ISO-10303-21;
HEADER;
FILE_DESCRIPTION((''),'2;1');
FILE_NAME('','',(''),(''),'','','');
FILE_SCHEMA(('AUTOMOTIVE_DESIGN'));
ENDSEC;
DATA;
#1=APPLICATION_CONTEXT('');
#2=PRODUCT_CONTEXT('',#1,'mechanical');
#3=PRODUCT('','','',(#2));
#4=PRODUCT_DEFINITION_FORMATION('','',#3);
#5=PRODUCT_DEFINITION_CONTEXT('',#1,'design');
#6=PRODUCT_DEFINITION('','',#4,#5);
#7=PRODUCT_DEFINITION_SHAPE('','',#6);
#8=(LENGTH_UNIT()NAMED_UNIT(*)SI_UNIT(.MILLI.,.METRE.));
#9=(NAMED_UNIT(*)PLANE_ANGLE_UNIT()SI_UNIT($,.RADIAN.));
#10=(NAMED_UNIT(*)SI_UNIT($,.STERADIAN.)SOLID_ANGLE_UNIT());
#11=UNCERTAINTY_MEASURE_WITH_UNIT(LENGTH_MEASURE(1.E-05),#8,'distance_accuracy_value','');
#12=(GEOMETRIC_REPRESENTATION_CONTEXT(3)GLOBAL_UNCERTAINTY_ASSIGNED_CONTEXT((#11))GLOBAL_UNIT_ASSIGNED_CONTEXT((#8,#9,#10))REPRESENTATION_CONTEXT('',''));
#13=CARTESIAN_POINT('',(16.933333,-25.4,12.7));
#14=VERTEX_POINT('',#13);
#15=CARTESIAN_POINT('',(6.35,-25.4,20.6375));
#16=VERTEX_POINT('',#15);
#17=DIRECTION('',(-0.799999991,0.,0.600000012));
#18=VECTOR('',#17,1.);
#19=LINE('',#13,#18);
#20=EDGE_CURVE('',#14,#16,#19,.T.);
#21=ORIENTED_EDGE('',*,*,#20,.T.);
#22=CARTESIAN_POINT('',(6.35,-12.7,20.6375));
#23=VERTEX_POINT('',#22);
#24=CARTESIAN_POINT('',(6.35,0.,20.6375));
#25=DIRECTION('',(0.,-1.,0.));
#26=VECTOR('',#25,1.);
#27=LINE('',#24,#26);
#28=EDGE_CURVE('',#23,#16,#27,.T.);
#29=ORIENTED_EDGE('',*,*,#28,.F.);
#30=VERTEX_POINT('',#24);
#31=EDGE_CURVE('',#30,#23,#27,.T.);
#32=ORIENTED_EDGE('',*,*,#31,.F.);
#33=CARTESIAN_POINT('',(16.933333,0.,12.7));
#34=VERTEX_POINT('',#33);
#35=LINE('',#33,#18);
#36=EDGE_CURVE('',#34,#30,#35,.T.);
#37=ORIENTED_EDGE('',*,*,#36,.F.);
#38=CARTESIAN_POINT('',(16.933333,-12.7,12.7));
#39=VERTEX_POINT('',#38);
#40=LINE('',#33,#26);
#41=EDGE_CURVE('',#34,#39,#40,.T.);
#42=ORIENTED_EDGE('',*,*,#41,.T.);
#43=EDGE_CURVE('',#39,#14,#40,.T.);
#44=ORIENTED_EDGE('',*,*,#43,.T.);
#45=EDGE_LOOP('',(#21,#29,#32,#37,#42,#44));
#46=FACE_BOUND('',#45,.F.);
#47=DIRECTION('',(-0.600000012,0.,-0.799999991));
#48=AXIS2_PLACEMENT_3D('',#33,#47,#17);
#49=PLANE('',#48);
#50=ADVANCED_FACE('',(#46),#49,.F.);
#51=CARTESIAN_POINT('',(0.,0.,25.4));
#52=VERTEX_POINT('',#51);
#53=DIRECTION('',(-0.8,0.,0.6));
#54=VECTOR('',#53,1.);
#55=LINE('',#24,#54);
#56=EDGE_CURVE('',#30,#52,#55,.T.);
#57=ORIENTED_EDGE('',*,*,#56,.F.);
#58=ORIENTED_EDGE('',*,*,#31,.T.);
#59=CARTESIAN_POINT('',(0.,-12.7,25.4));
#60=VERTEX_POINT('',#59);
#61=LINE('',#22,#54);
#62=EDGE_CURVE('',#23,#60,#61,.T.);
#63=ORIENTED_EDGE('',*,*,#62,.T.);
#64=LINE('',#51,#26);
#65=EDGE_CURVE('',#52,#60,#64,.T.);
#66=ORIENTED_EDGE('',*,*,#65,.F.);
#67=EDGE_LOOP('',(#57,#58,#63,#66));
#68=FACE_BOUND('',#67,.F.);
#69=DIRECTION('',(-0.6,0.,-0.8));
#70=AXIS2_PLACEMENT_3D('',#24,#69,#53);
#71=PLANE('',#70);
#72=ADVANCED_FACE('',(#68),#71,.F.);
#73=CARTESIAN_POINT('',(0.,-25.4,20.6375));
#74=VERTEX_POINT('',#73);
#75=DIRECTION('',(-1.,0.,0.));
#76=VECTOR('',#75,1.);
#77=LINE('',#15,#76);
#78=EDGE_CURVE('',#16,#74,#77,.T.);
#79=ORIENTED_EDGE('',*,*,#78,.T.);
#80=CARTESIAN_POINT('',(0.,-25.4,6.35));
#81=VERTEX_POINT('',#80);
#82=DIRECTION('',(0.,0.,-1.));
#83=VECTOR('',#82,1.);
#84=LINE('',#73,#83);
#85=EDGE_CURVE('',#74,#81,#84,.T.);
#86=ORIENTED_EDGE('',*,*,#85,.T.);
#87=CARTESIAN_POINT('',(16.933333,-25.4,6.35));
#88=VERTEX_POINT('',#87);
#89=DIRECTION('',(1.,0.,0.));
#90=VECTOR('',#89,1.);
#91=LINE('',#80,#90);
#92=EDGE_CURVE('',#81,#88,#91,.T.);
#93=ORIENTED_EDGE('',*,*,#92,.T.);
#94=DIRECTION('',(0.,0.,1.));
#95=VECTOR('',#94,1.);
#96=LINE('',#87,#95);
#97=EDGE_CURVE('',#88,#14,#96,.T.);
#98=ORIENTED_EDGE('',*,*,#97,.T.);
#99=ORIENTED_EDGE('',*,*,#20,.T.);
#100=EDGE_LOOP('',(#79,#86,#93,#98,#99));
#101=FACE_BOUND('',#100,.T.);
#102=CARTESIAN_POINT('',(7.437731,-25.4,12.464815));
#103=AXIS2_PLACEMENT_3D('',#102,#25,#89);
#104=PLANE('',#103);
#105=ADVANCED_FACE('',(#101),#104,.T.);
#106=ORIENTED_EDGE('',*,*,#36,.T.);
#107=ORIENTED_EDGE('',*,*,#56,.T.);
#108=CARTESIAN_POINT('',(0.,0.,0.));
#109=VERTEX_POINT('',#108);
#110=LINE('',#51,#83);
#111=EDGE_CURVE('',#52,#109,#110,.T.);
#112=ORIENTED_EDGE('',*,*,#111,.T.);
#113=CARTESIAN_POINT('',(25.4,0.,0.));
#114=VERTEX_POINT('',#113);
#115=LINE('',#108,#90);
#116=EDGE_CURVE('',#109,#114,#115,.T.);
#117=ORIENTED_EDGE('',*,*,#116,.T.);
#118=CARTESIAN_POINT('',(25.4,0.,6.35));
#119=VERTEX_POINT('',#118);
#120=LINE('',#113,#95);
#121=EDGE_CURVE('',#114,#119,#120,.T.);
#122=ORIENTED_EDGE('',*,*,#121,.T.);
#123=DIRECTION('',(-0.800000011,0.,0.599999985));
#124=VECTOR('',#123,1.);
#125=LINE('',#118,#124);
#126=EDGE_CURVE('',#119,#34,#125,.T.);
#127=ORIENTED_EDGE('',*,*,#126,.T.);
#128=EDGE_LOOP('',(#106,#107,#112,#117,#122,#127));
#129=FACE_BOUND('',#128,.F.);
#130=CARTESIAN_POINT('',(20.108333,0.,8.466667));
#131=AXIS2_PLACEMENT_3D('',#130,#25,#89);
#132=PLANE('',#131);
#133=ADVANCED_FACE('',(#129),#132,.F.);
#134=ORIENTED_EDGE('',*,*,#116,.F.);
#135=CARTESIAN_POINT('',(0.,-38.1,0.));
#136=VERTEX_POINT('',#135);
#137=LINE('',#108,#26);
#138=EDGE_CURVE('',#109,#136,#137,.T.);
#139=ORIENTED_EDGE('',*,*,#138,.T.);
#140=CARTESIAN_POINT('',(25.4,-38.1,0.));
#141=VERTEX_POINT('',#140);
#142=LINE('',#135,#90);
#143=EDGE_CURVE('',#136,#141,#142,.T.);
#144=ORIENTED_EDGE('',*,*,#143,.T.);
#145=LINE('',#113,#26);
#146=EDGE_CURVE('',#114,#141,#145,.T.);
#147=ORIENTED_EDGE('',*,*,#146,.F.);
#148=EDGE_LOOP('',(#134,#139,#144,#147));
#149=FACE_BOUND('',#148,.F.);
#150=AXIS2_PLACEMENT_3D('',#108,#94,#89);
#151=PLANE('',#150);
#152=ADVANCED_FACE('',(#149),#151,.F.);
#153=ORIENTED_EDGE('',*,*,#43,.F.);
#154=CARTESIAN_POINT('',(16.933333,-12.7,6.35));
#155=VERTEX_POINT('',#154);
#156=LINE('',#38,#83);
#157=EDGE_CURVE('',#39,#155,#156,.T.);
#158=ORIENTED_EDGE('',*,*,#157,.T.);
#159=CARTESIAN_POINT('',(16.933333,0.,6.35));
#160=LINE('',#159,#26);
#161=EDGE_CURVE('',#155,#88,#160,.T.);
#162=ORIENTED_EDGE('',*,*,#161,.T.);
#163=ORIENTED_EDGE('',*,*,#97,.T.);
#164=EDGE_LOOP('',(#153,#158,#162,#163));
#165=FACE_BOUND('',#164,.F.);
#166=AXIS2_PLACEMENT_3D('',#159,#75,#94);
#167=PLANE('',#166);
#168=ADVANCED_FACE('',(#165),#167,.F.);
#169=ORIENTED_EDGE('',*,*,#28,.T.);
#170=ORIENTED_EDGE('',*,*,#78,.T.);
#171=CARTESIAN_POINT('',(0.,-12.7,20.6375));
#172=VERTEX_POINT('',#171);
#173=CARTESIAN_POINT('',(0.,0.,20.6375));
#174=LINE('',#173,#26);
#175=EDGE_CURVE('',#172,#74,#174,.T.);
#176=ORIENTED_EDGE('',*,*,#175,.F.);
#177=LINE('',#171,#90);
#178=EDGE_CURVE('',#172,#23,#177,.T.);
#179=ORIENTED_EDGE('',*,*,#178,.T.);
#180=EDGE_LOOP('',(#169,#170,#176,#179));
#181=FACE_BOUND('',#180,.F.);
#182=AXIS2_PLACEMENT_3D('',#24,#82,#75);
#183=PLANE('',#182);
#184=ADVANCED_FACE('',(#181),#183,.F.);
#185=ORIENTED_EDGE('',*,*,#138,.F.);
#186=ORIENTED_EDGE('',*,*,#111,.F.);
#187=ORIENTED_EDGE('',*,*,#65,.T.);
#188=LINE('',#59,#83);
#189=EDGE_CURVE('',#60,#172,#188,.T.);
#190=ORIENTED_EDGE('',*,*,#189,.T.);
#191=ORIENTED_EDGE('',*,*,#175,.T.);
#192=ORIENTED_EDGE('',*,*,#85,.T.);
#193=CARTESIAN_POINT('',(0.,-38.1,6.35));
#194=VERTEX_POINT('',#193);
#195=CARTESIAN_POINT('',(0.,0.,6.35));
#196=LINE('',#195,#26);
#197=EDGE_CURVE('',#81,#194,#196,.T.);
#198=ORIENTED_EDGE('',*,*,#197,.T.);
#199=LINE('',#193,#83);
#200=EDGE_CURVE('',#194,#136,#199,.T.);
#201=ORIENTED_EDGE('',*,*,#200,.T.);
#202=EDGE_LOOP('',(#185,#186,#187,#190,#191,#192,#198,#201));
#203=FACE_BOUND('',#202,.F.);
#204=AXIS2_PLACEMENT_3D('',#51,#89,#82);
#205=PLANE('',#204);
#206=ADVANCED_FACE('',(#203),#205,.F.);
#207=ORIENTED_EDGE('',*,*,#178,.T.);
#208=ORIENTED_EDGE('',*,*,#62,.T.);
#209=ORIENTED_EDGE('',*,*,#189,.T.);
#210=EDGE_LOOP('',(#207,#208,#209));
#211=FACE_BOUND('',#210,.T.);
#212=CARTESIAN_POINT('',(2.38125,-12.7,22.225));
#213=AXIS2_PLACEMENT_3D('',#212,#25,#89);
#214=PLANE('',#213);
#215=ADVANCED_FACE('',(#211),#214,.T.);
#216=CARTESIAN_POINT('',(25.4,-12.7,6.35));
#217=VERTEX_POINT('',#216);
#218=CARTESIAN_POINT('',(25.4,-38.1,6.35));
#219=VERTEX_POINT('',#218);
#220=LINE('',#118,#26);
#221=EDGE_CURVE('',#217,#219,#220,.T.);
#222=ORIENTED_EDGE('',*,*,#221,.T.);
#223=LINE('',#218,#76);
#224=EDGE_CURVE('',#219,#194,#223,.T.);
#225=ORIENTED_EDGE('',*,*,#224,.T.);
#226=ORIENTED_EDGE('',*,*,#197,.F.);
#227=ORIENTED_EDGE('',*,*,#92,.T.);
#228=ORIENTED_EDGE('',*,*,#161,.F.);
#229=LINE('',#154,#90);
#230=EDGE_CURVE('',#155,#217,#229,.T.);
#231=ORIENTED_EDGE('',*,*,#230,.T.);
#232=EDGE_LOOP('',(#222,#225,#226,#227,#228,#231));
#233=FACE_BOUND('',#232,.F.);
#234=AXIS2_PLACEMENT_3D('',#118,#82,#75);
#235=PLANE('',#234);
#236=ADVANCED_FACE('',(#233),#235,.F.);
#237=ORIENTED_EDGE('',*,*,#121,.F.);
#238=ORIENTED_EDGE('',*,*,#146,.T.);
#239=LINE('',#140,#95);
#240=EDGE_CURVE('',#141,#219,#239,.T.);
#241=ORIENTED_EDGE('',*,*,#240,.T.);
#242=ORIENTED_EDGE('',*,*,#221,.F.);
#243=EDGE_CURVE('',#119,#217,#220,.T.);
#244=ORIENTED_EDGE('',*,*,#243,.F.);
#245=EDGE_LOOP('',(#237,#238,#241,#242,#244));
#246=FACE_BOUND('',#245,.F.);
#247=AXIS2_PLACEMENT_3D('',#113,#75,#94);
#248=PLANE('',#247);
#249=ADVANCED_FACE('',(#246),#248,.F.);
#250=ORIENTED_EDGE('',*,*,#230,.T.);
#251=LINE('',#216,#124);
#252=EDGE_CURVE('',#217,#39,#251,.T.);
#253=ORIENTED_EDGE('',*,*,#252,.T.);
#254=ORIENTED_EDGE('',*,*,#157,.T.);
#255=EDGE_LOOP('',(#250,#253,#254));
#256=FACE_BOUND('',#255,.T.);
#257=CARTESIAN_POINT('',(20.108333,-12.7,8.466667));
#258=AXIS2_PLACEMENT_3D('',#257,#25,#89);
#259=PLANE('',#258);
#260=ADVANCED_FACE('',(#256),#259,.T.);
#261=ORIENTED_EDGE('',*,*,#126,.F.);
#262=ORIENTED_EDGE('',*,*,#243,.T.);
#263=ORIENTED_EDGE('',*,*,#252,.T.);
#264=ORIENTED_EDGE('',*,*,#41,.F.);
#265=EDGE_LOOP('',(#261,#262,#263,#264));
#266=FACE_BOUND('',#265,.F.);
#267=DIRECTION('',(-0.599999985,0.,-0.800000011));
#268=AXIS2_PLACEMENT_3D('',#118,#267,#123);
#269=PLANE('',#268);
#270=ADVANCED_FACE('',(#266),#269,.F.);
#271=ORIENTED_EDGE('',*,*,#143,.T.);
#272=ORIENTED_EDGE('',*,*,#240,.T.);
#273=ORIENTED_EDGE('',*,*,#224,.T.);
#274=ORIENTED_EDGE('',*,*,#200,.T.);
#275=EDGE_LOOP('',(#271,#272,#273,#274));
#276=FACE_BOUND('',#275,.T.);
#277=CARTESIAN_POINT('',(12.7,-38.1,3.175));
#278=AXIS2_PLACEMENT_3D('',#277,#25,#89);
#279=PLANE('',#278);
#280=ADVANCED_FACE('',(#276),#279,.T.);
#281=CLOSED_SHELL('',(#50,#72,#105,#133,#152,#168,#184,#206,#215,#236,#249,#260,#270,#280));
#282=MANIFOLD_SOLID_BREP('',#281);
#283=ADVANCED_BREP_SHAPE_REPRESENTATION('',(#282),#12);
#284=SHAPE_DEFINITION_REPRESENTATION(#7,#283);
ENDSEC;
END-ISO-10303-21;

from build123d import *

# Parameters (mm, degrees)
F1_DEPTH = 38.1
F2_DEPTH = 25.4
F3_DEPTH = 12.7
F4_DEPTH = 12.7


with BuildPart() as f1:
    # F0 (on Front) → F1 (new body)
    with BuildSketch(Plane.XZ):
        Polygon((0, 6.35), (0, 0), (25.4, 0), (25.4, 6.35), (16.933333, 6.35), align=None)
    extrude(amount=F1_DEPTH)

    # F0 (on Front) → F2 (join)
    with BuildSketch(Plane.XZ):
        Polygon((0, 20.6375), (0, 6.35), (16.933333, 6.35), (16.933333, 12.7), (6.35, 20.6375), align=None)
    extrude(amount=F2_DEPTH)

    # F0 (on Front) → F3 (join)
    with BuildSketch(Plane.XZ):
        Polygon((0, 25.4), (0, 20.6375), (6.35, 20.6375), align=None)
    extrude(amount=F3_DEPTH)

    # F0 (on Front) → F4 (join)
    with BuildSketch(Plane.XZ):
        Polygon((16.933333, 12.7), (16.933333, 6.35), (25.4, 6.35), align=None)
    extrude(amount=F4_DEPTH)


solid = f1.part
